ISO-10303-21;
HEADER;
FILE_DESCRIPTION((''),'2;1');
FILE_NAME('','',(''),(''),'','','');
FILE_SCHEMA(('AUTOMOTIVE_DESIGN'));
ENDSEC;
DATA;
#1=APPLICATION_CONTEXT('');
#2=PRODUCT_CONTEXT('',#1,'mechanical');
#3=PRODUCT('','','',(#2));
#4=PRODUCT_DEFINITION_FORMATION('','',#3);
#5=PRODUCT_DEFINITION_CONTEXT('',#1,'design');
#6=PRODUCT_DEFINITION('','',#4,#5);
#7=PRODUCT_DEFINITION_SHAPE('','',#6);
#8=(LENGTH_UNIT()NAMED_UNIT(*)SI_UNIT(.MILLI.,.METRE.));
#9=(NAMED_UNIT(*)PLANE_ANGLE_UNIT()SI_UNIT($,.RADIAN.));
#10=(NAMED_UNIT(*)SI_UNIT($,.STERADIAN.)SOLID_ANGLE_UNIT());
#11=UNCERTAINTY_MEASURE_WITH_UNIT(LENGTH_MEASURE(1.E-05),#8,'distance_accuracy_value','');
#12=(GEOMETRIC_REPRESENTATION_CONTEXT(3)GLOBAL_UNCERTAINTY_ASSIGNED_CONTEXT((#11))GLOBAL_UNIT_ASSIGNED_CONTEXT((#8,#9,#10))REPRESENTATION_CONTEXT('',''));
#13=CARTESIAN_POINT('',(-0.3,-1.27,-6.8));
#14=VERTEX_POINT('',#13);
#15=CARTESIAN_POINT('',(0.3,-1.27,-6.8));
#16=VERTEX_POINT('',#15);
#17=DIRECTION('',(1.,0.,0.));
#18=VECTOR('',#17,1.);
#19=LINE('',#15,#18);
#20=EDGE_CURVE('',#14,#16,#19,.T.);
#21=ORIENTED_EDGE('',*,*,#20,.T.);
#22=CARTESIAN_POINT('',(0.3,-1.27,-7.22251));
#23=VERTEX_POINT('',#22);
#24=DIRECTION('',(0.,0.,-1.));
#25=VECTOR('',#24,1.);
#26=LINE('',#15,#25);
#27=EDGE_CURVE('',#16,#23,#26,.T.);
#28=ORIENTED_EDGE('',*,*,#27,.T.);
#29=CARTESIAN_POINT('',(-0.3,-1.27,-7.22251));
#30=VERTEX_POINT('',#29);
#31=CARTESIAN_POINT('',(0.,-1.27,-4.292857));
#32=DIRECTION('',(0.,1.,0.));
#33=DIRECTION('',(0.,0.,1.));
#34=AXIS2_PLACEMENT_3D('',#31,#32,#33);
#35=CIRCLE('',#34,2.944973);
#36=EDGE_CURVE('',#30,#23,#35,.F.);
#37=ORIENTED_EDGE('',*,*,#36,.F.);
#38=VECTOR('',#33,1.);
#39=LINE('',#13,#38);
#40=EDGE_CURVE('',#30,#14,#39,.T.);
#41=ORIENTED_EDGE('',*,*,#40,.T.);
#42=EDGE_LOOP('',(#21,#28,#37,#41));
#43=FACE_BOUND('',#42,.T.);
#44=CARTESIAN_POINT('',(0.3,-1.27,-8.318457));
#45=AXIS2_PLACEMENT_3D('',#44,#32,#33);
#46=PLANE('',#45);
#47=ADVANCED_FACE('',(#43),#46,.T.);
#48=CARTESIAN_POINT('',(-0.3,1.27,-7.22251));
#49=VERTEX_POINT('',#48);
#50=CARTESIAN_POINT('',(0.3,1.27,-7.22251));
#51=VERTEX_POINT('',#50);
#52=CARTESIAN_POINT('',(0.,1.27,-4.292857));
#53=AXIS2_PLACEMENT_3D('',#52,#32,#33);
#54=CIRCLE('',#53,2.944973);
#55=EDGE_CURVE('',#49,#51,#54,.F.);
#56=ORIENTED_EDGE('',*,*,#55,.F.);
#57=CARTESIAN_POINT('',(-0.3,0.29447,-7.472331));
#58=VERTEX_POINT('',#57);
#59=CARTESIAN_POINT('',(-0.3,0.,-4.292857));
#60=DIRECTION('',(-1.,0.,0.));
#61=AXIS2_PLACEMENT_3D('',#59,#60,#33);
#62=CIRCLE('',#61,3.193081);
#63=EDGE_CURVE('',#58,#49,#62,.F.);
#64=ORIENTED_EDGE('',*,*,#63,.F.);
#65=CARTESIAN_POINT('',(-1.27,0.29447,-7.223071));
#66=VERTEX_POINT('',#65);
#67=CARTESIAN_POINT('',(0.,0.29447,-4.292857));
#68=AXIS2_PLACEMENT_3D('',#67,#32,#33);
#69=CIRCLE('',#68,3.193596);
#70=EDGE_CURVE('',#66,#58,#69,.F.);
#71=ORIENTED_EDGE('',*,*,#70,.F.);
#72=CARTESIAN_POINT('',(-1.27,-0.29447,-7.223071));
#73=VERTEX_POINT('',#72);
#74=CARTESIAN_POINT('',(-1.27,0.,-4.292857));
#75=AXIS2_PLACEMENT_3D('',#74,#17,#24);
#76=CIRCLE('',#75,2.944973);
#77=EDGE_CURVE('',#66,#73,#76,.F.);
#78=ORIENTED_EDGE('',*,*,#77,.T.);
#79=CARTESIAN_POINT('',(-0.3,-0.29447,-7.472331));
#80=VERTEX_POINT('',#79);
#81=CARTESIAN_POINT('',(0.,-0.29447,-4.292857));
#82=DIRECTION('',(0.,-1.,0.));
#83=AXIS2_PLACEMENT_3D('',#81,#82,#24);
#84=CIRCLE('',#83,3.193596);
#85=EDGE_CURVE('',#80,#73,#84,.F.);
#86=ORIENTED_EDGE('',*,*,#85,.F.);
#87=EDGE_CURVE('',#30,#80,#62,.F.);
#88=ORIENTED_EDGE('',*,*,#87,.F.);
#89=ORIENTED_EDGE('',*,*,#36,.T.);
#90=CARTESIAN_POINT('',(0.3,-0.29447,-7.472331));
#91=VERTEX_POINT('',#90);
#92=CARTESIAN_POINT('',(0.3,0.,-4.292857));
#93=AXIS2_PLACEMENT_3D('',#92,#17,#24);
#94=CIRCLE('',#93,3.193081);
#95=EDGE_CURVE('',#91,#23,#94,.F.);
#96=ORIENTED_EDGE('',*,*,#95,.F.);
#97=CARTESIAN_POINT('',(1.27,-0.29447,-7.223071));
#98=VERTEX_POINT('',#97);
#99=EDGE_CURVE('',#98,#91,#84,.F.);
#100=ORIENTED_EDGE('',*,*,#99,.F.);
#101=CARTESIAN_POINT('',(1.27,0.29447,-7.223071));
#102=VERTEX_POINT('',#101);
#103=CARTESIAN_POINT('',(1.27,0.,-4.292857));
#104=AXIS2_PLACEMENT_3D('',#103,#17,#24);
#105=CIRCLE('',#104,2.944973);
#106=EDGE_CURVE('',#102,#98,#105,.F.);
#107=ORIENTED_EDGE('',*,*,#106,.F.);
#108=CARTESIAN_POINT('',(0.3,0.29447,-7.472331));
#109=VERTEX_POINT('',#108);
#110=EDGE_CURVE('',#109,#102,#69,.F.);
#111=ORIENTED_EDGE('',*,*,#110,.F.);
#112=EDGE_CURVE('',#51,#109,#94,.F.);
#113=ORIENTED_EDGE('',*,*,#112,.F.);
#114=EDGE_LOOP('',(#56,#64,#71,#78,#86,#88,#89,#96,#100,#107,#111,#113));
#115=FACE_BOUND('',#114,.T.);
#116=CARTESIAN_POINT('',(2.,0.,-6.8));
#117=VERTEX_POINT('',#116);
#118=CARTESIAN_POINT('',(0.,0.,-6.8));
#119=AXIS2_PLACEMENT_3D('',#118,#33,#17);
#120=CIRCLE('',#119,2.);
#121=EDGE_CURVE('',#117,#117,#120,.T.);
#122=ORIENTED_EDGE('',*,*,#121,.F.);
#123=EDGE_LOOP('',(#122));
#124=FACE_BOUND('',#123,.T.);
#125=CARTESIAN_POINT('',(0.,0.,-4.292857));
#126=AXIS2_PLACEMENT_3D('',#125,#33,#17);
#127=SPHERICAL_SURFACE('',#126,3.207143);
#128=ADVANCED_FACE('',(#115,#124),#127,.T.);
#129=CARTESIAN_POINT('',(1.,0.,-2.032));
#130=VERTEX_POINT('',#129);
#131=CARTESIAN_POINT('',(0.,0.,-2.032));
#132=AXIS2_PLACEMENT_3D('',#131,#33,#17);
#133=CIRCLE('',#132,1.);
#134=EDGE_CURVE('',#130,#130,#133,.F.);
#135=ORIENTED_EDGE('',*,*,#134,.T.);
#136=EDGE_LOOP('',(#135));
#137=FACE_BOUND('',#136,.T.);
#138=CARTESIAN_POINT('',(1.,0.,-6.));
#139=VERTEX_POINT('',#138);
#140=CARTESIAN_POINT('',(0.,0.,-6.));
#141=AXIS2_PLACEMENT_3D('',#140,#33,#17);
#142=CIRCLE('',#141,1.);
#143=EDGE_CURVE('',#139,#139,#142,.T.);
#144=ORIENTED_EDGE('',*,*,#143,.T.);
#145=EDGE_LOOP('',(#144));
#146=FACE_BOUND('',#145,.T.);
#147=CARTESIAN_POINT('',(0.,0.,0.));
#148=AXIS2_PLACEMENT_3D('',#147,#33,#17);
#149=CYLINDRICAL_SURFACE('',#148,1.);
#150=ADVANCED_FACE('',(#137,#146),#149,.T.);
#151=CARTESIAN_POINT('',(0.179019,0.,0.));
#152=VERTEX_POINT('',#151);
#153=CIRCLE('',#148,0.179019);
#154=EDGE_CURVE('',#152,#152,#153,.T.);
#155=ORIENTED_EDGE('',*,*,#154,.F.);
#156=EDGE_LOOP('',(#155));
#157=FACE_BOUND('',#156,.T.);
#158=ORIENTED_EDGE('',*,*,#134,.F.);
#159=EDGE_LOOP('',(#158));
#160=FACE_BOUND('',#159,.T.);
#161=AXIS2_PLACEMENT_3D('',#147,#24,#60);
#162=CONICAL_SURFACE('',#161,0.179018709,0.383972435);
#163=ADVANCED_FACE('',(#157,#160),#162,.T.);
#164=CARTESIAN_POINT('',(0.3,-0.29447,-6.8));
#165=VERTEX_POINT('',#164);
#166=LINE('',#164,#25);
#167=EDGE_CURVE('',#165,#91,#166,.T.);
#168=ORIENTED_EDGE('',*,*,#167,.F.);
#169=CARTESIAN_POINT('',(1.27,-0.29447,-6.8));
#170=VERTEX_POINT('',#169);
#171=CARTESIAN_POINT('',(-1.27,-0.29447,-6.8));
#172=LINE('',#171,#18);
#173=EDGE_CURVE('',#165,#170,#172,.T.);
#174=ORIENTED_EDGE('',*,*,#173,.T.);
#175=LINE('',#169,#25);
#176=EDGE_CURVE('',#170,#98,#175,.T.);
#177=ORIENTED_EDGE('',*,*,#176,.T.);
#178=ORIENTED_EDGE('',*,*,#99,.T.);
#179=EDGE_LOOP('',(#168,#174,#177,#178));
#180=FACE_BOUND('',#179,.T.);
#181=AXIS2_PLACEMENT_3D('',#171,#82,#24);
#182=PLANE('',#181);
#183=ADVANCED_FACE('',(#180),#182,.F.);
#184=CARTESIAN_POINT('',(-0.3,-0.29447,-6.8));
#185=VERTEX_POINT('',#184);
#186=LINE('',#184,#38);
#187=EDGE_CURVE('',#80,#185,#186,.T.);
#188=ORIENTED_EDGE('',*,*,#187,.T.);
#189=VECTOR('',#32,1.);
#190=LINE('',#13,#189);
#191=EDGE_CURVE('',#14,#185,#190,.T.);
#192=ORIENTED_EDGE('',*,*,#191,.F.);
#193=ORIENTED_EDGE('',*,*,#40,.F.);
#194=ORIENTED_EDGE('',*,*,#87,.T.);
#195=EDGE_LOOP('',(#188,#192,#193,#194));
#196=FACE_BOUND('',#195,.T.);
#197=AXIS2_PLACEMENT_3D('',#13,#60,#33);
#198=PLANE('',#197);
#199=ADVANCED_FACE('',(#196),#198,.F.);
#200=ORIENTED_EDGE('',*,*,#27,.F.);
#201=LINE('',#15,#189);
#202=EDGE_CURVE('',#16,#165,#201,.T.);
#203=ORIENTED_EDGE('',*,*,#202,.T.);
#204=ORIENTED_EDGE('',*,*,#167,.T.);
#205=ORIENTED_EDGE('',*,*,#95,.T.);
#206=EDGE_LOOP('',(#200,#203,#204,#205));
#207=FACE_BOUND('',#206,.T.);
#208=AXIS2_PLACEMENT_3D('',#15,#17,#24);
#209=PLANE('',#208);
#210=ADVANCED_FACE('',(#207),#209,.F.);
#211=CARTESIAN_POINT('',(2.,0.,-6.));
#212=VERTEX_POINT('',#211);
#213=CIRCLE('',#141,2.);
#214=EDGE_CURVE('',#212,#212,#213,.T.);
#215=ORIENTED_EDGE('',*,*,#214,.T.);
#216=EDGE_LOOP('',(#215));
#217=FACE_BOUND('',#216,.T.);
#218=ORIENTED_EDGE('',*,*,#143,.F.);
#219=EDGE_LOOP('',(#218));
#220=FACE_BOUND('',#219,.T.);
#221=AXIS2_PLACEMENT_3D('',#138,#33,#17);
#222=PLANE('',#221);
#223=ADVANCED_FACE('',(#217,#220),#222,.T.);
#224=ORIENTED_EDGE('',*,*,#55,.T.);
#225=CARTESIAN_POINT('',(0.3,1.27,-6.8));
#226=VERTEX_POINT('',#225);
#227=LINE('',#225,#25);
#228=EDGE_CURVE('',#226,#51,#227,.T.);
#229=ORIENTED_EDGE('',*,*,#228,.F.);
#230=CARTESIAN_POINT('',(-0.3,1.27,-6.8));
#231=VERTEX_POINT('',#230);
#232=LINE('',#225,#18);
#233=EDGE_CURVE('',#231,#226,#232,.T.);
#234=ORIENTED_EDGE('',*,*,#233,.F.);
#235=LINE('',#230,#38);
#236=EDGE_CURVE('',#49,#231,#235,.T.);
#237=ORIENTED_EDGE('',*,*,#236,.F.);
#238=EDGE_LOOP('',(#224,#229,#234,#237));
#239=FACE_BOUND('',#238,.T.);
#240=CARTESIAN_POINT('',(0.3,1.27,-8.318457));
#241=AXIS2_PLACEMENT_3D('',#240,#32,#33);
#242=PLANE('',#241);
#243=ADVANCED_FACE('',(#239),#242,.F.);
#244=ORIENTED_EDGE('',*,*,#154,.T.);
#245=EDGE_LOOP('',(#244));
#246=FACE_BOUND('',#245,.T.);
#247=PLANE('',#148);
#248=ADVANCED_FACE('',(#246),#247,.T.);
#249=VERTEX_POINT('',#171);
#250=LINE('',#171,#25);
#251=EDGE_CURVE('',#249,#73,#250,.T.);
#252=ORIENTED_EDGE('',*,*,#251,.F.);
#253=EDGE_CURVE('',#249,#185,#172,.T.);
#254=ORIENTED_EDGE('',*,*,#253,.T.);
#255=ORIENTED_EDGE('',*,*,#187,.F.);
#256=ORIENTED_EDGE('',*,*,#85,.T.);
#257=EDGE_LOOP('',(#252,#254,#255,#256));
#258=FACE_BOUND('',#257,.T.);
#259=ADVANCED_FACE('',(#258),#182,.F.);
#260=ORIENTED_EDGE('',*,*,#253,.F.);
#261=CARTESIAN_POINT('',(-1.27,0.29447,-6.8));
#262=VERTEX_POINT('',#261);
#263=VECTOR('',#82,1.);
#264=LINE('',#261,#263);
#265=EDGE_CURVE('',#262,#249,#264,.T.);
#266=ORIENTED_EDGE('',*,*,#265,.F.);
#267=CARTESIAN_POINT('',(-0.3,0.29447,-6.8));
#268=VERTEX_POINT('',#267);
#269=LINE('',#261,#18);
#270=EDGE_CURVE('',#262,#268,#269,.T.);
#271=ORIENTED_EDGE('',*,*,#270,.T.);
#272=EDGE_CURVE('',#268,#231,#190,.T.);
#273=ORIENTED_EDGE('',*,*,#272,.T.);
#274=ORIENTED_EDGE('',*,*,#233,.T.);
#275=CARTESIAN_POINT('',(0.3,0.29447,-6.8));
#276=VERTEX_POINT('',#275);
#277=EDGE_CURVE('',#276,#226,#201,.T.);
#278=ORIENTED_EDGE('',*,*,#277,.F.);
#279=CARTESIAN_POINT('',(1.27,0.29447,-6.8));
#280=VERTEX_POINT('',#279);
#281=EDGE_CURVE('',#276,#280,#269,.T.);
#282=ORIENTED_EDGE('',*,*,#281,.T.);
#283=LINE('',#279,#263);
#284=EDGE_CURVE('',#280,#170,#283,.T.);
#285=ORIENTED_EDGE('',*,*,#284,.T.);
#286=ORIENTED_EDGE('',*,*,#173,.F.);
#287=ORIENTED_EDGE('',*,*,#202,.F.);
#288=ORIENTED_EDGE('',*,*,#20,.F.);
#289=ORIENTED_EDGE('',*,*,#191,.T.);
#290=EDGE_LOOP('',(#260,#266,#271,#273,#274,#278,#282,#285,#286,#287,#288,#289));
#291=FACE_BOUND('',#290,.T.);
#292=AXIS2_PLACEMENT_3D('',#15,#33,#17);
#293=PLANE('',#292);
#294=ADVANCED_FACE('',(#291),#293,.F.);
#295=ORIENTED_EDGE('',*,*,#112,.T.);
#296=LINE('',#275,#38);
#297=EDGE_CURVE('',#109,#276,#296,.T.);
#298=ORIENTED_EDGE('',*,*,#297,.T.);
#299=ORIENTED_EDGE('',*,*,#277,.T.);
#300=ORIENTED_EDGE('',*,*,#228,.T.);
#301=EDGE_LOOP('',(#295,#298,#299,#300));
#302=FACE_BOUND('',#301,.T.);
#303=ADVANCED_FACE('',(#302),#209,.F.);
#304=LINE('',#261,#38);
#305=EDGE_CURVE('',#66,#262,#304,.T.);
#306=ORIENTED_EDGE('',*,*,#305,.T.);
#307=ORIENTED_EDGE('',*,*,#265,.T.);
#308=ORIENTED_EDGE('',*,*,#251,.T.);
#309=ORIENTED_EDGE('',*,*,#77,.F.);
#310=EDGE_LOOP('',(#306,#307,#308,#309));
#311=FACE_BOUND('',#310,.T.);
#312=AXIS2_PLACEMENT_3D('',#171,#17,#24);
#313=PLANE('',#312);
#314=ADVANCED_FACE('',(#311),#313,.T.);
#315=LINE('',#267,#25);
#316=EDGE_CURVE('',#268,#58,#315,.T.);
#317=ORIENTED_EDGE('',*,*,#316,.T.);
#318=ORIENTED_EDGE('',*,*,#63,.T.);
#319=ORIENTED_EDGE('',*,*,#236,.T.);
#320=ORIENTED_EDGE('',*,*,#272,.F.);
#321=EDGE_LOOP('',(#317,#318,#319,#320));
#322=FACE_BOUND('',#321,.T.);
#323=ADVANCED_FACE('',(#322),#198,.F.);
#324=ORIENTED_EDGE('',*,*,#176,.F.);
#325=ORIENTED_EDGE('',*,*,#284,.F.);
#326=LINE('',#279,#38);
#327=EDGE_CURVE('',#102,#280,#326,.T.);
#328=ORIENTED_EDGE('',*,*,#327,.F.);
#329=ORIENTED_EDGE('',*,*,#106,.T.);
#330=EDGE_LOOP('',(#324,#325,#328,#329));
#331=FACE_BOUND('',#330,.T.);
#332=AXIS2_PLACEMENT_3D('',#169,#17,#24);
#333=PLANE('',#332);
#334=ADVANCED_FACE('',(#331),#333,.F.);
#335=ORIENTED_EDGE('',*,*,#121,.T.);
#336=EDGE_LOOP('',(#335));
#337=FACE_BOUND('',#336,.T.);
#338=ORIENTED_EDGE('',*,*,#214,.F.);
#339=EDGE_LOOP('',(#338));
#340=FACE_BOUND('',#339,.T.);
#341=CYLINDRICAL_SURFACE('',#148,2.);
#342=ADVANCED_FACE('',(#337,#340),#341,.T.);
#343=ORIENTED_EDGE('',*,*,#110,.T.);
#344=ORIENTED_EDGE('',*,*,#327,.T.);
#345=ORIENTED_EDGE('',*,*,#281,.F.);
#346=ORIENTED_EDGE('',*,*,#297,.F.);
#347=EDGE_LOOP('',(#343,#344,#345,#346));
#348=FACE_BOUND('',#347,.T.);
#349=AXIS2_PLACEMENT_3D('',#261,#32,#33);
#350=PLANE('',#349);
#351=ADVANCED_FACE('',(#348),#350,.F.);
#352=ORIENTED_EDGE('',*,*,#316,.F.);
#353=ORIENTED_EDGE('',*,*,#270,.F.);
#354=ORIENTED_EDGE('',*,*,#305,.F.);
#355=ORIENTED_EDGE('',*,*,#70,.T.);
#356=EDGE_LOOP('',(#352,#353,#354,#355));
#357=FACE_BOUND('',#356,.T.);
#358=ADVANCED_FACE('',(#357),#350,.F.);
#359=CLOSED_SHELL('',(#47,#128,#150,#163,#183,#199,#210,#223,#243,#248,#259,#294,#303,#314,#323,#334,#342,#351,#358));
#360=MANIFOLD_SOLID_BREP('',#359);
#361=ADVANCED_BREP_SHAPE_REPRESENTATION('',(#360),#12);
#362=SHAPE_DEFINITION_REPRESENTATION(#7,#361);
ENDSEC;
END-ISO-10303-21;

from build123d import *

# Parameters (mm, degrees)
SKETCH2_W      = 0.6
SKETCH2_H      = 1.518456807
EXTRUDE1_DEPTH = 1.27
SKETCH3_W      = 1.103174595
SKETCH3_H      = 0.588939024
EXTRUDE2_DEPTH = 1.27
CHAMFER1_SIZE  = 2.032
CHAMFER1_SIZE2 = 0.820981291


with BuildPart() as part:
    # Sketch1 → Revolve1 (revolve)
    with BuildSketch(Plane(origin=(0, 0, 0), x_dir=(1, 0, 0), z_dir=(0, 1, 0))):
        with BuildLine():
            Line((0, 0), (0, 7.5))
            ThreePointArc((0, 7.5), (1.059481005, 7.319945729), (2, 6.8))
            Line((2, 6.8), (2, 6))
            Line((2, 6), (1, 6))
            Line((1, 6), (1, 0))
            Line((1, 0), (0, 0))
        make_face()
    revolve(axis=Axis((0, 0, 0), (0, 0, -1)))

    # Sketch2 → Extrude1 (cut, symmetric)
    with BuildSketch(Plane(origin=(0, 0, 0), x_dir=(1, 0, 0), z_dir=(0, 1, 0))):
        with Locations((0, 7.559228404)):
            Rectangle(SKETCH2_W, SKETCH2_H)
    extrude(amount=EXTRUDE1_DEPTH, both=True, mode=Mode.SUBTRACT)

    # Sketch3 → Extrude2 (cut, symmetric)
    with BuildSketch(Plane(origin=(0, 0, 0), x_dir=(0, 0, -1), z_dir=(1, 0, 0))):
        with Locations((7.351587298, 0)):
            Rectangle(SKETCH3_W, SKETCH3_H)
    extrude(amount=EXTRUDE2_DEPTH, both=True, mode=Mode.SUBTRACT)

    # Chamfer1
    chamfer1_edges = [part.edges().sort_by_distance(p)[0] for p in [
        (-1, 0, 0),
    ]]
    chamfer1_side = [part.faces().sort_by_distance(p)[0] for p in [
        (-1, 0, -3),
    ]]
    chamfer(chamfer1_edges, length=CHAMFER1_SIZE, length2=CHAMFER1_SIZE2, reference=chamfer1_side[0])


solid = part.part
